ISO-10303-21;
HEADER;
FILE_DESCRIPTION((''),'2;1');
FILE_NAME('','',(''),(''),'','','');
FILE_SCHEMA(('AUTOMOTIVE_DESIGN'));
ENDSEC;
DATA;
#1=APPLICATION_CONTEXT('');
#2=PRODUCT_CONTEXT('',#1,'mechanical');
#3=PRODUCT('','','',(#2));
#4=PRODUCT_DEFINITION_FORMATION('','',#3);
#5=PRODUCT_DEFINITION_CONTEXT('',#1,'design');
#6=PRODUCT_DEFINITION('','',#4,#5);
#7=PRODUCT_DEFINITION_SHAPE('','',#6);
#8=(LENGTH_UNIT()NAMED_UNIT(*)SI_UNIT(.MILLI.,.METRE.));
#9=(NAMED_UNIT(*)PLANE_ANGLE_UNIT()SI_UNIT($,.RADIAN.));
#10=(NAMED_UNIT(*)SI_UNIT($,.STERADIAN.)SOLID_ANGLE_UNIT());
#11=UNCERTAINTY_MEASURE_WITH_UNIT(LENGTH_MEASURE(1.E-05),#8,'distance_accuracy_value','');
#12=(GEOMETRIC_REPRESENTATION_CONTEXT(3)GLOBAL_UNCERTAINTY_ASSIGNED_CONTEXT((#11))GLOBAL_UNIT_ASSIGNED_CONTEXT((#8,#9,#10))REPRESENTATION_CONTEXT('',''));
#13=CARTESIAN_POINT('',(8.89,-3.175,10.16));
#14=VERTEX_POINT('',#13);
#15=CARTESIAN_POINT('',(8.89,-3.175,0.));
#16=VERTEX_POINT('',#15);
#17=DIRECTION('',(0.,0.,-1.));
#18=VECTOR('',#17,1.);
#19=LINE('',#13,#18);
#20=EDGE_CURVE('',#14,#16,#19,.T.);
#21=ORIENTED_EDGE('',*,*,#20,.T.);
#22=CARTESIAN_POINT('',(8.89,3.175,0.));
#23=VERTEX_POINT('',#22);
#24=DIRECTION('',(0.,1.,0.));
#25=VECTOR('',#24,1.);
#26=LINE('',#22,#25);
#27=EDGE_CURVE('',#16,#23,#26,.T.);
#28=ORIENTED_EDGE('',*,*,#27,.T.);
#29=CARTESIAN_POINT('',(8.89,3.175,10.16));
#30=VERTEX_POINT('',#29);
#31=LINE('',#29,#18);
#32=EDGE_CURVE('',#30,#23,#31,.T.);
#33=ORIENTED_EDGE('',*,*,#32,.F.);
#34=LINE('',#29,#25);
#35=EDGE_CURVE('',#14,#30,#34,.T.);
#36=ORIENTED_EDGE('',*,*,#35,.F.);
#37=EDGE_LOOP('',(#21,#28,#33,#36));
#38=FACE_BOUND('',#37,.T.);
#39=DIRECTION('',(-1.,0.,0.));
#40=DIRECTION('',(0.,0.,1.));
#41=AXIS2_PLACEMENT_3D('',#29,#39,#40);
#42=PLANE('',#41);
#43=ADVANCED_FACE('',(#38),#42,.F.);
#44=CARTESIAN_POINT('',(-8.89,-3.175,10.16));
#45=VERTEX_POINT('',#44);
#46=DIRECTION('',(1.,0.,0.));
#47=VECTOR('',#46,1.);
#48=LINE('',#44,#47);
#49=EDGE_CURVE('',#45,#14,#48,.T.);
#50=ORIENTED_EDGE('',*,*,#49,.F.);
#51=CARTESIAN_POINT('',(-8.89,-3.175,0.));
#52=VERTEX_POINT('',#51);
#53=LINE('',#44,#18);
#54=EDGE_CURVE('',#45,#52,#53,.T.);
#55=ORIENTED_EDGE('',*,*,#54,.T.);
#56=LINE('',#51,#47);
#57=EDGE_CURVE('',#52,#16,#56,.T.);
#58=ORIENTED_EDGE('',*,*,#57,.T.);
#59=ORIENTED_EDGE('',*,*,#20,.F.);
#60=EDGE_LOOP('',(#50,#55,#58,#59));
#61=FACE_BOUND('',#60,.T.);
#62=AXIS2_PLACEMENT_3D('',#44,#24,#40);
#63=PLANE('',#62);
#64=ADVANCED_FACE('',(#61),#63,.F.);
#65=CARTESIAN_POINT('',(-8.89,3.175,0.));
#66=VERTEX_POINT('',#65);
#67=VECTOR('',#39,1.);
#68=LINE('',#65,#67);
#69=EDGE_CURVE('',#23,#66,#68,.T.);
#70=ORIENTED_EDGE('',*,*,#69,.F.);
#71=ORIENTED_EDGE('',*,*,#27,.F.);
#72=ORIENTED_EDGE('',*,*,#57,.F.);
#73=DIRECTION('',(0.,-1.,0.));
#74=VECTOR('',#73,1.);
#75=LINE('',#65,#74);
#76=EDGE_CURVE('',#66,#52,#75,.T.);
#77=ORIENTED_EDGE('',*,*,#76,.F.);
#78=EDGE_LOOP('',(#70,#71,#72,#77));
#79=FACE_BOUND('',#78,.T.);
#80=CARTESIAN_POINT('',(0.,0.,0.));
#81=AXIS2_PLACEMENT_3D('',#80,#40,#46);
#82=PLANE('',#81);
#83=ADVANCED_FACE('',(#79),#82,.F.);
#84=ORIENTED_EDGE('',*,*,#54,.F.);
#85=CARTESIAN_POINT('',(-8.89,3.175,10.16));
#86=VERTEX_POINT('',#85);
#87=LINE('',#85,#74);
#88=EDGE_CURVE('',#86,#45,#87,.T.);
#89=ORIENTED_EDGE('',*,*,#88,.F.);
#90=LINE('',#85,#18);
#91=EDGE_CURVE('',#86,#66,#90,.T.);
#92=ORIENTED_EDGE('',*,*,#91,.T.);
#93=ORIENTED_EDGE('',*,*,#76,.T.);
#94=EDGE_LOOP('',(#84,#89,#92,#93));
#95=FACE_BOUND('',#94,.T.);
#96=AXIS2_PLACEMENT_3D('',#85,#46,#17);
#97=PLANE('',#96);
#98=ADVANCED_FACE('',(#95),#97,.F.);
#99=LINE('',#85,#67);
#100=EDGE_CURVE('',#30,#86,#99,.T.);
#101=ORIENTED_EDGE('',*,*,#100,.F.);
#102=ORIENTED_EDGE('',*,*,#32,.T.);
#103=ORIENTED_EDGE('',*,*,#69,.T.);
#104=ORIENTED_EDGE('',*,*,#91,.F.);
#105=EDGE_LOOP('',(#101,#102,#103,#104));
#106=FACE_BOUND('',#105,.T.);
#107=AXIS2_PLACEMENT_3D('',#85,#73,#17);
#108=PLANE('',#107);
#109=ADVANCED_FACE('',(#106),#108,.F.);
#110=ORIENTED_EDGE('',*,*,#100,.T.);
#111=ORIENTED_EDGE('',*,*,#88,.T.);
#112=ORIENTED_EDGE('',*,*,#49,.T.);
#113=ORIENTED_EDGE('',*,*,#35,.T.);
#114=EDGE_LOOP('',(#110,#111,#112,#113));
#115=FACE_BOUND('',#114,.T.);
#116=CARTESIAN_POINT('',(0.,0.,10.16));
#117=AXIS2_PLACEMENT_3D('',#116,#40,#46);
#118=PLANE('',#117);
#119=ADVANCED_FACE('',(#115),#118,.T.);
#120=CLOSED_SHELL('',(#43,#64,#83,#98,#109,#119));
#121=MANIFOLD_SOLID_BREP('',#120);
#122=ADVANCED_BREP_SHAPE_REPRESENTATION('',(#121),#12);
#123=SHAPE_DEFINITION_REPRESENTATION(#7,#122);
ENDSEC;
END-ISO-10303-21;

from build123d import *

# Parameters (mm, degrees)
SKETCH1_W           = 17.78
SKETCH1_H           = 6.35
BOSS_EXTRUDE1_DEPTH = 10.16


with BuildPart() as part:
    # Sketch1 → Boss-Extrude1 (new body)
    with BuildSketch(Plane.XY):
        Rectangle(SKETCH1_W, SKETCH1_H)
    extrude(amount=BOSS_EXTRUDE1_DEPTH)


solid = part.part
